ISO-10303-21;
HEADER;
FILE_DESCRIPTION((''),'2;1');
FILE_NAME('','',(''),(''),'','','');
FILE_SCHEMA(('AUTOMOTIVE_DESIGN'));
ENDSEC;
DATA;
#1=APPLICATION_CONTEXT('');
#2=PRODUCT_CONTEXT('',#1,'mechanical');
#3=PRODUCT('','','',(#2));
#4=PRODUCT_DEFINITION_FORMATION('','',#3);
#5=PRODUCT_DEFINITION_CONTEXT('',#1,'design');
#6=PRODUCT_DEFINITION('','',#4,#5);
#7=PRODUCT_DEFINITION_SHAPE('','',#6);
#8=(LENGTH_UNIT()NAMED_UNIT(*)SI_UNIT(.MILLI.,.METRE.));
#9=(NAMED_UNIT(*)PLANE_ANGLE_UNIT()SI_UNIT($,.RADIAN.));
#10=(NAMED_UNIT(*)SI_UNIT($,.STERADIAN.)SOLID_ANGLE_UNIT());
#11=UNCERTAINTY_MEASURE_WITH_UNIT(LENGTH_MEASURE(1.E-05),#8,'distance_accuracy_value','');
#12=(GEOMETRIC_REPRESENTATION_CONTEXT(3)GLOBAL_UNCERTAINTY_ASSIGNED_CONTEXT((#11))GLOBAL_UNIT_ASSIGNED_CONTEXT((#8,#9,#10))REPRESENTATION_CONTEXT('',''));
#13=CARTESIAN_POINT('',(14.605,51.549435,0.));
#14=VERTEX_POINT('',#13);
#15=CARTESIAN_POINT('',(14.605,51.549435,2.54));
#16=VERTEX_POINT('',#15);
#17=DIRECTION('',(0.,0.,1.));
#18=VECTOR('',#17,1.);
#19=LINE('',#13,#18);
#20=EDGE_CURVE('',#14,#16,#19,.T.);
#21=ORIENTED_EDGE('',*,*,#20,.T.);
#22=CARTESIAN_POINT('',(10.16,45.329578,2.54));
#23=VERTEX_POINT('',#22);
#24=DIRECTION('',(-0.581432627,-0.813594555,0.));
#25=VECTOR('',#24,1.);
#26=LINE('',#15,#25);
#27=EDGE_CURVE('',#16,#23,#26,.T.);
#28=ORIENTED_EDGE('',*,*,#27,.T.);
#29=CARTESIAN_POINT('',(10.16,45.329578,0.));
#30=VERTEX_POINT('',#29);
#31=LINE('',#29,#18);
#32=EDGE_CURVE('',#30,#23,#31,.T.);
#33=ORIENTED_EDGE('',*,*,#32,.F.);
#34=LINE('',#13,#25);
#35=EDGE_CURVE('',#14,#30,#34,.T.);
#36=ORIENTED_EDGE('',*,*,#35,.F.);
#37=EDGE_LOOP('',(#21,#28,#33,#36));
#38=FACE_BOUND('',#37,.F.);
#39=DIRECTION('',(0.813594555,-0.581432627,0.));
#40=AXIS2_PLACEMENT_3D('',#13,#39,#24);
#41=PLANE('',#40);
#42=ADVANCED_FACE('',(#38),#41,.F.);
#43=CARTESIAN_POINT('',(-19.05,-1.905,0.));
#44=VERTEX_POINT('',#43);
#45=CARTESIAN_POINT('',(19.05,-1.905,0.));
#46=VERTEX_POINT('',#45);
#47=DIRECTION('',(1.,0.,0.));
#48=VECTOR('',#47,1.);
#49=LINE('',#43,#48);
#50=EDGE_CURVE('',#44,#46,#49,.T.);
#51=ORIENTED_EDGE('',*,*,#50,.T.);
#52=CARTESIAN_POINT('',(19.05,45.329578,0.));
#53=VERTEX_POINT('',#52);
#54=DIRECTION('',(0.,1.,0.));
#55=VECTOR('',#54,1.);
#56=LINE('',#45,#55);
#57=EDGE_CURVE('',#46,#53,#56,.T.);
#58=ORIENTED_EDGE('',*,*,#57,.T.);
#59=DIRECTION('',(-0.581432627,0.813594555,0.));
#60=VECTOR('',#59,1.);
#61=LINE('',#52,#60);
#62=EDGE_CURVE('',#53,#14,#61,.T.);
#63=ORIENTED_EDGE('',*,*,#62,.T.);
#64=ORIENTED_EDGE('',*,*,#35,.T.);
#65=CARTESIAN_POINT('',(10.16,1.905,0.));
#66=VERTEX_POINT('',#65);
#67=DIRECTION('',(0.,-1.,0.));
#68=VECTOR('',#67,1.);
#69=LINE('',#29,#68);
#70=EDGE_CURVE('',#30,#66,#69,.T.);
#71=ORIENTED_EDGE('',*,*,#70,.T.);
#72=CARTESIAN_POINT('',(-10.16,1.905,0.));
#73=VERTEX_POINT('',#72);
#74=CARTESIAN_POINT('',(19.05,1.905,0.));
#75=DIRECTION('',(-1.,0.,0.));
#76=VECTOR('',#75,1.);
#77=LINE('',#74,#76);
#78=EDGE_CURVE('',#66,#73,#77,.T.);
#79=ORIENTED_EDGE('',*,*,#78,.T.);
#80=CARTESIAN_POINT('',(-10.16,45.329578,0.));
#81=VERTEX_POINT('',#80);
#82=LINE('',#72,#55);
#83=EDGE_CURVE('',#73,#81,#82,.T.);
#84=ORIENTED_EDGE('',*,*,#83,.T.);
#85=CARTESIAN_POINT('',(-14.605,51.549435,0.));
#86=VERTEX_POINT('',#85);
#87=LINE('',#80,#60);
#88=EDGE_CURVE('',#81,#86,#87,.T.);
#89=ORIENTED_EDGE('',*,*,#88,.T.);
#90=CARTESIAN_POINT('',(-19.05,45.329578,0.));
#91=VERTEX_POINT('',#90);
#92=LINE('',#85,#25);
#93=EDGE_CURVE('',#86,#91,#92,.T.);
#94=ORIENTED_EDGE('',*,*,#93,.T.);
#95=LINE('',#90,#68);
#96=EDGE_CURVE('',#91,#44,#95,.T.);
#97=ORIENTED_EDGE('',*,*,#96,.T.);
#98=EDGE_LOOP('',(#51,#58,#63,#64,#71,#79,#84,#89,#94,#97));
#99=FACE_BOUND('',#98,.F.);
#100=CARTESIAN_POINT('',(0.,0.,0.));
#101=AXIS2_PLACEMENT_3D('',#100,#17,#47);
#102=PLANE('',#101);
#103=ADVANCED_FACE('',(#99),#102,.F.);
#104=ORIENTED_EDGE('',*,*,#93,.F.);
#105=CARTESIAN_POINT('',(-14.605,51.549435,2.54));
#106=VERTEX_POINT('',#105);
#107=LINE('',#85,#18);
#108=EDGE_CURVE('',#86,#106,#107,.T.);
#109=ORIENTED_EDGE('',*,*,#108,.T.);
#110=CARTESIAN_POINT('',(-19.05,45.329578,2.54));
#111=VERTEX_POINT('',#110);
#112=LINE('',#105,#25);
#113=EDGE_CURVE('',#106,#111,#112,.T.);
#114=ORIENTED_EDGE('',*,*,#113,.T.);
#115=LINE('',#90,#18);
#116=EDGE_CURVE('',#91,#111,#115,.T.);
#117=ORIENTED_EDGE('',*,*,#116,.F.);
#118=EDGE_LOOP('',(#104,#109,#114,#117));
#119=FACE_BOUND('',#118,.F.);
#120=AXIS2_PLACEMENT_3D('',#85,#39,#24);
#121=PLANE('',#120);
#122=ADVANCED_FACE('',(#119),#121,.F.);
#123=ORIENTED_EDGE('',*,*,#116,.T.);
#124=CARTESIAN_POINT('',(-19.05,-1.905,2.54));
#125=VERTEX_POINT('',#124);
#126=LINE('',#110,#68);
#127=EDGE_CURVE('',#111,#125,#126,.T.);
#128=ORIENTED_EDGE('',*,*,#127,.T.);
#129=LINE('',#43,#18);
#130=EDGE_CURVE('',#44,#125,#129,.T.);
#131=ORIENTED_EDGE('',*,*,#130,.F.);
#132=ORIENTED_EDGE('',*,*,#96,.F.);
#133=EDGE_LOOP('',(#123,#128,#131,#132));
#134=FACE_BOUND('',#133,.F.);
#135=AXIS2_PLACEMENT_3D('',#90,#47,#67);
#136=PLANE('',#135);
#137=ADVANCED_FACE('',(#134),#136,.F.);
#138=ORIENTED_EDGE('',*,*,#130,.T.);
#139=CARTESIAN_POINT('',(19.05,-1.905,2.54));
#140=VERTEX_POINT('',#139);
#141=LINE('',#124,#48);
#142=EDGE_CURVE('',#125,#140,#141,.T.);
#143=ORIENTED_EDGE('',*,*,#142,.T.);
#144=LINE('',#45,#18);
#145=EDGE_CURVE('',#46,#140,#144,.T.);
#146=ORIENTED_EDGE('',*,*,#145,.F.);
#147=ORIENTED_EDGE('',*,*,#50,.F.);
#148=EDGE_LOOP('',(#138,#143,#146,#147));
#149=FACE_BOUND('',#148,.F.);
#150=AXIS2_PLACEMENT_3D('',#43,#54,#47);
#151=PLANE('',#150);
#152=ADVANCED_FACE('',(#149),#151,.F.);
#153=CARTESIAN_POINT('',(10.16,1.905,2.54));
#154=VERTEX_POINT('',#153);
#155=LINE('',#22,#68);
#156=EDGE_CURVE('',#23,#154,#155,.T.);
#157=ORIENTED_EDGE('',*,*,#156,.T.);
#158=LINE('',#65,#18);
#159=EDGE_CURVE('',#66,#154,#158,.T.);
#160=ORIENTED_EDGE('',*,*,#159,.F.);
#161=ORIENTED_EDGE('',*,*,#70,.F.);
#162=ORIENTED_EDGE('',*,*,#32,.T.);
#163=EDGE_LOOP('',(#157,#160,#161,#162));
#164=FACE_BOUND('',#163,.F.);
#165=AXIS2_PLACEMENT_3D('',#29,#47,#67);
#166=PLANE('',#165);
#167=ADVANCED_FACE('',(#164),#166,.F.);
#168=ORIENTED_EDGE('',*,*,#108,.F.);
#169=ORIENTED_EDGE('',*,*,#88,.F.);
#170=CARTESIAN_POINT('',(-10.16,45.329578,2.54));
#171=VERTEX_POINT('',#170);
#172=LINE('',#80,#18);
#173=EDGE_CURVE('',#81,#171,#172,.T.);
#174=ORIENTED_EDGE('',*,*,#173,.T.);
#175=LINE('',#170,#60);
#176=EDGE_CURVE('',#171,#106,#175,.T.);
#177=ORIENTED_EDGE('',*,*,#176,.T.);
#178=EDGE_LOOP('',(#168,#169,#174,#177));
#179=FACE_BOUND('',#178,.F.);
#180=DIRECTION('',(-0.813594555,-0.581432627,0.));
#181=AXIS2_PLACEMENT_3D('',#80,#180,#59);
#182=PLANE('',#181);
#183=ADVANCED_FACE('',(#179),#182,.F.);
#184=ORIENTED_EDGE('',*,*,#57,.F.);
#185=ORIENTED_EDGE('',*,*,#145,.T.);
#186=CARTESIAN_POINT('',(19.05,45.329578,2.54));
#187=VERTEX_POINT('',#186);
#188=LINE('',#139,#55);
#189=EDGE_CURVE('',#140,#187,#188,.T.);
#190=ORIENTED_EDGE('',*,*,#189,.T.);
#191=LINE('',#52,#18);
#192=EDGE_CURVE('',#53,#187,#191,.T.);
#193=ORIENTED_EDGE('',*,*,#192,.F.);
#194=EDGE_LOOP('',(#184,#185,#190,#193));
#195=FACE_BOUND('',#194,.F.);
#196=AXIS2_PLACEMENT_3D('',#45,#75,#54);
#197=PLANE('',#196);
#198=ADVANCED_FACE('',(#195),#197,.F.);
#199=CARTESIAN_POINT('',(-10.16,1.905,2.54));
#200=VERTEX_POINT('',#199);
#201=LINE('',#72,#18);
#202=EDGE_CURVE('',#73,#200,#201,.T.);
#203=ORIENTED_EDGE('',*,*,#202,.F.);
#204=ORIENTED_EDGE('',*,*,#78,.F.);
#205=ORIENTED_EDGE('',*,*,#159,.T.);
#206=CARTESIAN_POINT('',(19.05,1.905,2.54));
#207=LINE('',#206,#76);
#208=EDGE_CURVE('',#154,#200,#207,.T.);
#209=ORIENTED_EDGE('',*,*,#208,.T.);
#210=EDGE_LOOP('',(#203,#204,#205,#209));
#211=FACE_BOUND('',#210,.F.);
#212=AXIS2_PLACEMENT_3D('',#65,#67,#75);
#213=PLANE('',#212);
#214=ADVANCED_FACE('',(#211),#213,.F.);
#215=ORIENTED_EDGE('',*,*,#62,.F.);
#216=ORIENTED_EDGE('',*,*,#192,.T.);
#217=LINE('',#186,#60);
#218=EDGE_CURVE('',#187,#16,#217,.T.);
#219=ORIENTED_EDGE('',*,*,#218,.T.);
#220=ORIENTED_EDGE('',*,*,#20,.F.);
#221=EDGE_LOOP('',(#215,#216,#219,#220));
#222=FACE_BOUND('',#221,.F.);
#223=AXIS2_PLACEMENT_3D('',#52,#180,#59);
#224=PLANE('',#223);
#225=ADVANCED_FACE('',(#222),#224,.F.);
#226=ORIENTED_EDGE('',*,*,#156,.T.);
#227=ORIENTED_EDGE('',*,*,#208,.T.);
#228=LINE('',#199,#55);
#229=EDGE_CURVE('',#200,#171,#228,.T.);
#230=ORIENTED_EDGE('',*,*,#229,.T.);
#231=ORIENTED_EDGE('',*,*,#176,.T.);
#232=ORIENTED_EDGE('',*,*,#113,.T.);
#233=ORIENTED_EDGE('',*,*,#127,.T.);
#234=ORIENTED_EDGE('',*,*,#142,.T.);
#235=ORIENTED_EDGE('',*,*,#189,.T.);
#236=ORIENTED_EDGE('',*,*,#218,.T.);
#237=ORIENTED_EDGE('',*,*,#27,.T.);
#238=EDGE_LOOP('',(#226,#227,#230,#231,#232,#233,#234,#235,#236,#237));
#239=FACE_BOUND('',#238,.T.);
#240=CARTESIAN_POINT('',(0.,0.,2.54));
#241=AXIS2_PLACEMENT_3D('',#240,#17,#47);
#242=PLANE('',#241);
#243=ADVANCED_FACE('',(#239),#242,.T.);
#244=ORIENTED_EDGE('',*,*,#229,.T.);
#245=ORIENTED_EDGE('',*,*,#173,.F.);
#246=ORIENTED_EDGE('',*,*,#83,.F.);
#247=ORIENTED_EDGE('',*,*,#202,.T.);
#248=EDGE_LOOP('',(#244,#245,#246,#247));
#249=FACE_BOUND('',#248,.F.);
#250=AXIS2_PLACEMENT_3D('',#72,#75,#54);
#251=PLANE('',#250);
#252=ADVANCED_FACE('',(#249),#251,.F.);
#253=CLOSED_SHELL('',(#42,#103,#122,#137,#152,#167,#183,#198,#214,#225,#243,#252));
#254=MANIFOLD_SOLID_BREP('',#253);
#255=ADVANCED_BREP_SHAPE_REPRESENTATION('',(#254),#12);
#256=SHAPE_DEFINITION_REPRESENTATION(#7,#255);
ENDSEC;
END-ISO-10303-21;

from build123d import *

# Parameters (mm, degrees)
F1_DEPTH = 2.54


with BuildPart() as f1:
    # F0 (on Top) → F1 (new body)
    with BuildSketch(Plane.XY):
        Polygon((19.05, -1.905), (19.05, 1.905), (10.16, 1.905), (-10.16, 1.905), (-19.05, 1.905), (-19.05, -1.905), align=None)
        Polygon((10.16, 1.905), (19.05, 1.905), (19.05, 45.329578), (14.605, 45.329578), (10.16, 45.329578), align=None)
        Polygon((14.605, 45.329578), (19.05, 45.329578), (14.605, 51.549435), align=None)
        Polygon((-19.05, 1.905), (-10.16, 1.905), (-10.16, 45.329578), (-14.605, 45.329578), (-19.05, 45.329578), align=None)
        Polygon((14.605, 51.549435), (10.16, 45.329578), (14.605, 45.329578), align=None)
        Polygon((-14.605, 45.329578), (-10.16, 45.329578), (-14.605, 51.549435), align=None)
        Polygon((-14.605, 51.549435), (-19.05, 45.329578), (-14.605, 45.329578), align=None)
    extrude(amount=F1_DEPTH)


solid = f1.part
